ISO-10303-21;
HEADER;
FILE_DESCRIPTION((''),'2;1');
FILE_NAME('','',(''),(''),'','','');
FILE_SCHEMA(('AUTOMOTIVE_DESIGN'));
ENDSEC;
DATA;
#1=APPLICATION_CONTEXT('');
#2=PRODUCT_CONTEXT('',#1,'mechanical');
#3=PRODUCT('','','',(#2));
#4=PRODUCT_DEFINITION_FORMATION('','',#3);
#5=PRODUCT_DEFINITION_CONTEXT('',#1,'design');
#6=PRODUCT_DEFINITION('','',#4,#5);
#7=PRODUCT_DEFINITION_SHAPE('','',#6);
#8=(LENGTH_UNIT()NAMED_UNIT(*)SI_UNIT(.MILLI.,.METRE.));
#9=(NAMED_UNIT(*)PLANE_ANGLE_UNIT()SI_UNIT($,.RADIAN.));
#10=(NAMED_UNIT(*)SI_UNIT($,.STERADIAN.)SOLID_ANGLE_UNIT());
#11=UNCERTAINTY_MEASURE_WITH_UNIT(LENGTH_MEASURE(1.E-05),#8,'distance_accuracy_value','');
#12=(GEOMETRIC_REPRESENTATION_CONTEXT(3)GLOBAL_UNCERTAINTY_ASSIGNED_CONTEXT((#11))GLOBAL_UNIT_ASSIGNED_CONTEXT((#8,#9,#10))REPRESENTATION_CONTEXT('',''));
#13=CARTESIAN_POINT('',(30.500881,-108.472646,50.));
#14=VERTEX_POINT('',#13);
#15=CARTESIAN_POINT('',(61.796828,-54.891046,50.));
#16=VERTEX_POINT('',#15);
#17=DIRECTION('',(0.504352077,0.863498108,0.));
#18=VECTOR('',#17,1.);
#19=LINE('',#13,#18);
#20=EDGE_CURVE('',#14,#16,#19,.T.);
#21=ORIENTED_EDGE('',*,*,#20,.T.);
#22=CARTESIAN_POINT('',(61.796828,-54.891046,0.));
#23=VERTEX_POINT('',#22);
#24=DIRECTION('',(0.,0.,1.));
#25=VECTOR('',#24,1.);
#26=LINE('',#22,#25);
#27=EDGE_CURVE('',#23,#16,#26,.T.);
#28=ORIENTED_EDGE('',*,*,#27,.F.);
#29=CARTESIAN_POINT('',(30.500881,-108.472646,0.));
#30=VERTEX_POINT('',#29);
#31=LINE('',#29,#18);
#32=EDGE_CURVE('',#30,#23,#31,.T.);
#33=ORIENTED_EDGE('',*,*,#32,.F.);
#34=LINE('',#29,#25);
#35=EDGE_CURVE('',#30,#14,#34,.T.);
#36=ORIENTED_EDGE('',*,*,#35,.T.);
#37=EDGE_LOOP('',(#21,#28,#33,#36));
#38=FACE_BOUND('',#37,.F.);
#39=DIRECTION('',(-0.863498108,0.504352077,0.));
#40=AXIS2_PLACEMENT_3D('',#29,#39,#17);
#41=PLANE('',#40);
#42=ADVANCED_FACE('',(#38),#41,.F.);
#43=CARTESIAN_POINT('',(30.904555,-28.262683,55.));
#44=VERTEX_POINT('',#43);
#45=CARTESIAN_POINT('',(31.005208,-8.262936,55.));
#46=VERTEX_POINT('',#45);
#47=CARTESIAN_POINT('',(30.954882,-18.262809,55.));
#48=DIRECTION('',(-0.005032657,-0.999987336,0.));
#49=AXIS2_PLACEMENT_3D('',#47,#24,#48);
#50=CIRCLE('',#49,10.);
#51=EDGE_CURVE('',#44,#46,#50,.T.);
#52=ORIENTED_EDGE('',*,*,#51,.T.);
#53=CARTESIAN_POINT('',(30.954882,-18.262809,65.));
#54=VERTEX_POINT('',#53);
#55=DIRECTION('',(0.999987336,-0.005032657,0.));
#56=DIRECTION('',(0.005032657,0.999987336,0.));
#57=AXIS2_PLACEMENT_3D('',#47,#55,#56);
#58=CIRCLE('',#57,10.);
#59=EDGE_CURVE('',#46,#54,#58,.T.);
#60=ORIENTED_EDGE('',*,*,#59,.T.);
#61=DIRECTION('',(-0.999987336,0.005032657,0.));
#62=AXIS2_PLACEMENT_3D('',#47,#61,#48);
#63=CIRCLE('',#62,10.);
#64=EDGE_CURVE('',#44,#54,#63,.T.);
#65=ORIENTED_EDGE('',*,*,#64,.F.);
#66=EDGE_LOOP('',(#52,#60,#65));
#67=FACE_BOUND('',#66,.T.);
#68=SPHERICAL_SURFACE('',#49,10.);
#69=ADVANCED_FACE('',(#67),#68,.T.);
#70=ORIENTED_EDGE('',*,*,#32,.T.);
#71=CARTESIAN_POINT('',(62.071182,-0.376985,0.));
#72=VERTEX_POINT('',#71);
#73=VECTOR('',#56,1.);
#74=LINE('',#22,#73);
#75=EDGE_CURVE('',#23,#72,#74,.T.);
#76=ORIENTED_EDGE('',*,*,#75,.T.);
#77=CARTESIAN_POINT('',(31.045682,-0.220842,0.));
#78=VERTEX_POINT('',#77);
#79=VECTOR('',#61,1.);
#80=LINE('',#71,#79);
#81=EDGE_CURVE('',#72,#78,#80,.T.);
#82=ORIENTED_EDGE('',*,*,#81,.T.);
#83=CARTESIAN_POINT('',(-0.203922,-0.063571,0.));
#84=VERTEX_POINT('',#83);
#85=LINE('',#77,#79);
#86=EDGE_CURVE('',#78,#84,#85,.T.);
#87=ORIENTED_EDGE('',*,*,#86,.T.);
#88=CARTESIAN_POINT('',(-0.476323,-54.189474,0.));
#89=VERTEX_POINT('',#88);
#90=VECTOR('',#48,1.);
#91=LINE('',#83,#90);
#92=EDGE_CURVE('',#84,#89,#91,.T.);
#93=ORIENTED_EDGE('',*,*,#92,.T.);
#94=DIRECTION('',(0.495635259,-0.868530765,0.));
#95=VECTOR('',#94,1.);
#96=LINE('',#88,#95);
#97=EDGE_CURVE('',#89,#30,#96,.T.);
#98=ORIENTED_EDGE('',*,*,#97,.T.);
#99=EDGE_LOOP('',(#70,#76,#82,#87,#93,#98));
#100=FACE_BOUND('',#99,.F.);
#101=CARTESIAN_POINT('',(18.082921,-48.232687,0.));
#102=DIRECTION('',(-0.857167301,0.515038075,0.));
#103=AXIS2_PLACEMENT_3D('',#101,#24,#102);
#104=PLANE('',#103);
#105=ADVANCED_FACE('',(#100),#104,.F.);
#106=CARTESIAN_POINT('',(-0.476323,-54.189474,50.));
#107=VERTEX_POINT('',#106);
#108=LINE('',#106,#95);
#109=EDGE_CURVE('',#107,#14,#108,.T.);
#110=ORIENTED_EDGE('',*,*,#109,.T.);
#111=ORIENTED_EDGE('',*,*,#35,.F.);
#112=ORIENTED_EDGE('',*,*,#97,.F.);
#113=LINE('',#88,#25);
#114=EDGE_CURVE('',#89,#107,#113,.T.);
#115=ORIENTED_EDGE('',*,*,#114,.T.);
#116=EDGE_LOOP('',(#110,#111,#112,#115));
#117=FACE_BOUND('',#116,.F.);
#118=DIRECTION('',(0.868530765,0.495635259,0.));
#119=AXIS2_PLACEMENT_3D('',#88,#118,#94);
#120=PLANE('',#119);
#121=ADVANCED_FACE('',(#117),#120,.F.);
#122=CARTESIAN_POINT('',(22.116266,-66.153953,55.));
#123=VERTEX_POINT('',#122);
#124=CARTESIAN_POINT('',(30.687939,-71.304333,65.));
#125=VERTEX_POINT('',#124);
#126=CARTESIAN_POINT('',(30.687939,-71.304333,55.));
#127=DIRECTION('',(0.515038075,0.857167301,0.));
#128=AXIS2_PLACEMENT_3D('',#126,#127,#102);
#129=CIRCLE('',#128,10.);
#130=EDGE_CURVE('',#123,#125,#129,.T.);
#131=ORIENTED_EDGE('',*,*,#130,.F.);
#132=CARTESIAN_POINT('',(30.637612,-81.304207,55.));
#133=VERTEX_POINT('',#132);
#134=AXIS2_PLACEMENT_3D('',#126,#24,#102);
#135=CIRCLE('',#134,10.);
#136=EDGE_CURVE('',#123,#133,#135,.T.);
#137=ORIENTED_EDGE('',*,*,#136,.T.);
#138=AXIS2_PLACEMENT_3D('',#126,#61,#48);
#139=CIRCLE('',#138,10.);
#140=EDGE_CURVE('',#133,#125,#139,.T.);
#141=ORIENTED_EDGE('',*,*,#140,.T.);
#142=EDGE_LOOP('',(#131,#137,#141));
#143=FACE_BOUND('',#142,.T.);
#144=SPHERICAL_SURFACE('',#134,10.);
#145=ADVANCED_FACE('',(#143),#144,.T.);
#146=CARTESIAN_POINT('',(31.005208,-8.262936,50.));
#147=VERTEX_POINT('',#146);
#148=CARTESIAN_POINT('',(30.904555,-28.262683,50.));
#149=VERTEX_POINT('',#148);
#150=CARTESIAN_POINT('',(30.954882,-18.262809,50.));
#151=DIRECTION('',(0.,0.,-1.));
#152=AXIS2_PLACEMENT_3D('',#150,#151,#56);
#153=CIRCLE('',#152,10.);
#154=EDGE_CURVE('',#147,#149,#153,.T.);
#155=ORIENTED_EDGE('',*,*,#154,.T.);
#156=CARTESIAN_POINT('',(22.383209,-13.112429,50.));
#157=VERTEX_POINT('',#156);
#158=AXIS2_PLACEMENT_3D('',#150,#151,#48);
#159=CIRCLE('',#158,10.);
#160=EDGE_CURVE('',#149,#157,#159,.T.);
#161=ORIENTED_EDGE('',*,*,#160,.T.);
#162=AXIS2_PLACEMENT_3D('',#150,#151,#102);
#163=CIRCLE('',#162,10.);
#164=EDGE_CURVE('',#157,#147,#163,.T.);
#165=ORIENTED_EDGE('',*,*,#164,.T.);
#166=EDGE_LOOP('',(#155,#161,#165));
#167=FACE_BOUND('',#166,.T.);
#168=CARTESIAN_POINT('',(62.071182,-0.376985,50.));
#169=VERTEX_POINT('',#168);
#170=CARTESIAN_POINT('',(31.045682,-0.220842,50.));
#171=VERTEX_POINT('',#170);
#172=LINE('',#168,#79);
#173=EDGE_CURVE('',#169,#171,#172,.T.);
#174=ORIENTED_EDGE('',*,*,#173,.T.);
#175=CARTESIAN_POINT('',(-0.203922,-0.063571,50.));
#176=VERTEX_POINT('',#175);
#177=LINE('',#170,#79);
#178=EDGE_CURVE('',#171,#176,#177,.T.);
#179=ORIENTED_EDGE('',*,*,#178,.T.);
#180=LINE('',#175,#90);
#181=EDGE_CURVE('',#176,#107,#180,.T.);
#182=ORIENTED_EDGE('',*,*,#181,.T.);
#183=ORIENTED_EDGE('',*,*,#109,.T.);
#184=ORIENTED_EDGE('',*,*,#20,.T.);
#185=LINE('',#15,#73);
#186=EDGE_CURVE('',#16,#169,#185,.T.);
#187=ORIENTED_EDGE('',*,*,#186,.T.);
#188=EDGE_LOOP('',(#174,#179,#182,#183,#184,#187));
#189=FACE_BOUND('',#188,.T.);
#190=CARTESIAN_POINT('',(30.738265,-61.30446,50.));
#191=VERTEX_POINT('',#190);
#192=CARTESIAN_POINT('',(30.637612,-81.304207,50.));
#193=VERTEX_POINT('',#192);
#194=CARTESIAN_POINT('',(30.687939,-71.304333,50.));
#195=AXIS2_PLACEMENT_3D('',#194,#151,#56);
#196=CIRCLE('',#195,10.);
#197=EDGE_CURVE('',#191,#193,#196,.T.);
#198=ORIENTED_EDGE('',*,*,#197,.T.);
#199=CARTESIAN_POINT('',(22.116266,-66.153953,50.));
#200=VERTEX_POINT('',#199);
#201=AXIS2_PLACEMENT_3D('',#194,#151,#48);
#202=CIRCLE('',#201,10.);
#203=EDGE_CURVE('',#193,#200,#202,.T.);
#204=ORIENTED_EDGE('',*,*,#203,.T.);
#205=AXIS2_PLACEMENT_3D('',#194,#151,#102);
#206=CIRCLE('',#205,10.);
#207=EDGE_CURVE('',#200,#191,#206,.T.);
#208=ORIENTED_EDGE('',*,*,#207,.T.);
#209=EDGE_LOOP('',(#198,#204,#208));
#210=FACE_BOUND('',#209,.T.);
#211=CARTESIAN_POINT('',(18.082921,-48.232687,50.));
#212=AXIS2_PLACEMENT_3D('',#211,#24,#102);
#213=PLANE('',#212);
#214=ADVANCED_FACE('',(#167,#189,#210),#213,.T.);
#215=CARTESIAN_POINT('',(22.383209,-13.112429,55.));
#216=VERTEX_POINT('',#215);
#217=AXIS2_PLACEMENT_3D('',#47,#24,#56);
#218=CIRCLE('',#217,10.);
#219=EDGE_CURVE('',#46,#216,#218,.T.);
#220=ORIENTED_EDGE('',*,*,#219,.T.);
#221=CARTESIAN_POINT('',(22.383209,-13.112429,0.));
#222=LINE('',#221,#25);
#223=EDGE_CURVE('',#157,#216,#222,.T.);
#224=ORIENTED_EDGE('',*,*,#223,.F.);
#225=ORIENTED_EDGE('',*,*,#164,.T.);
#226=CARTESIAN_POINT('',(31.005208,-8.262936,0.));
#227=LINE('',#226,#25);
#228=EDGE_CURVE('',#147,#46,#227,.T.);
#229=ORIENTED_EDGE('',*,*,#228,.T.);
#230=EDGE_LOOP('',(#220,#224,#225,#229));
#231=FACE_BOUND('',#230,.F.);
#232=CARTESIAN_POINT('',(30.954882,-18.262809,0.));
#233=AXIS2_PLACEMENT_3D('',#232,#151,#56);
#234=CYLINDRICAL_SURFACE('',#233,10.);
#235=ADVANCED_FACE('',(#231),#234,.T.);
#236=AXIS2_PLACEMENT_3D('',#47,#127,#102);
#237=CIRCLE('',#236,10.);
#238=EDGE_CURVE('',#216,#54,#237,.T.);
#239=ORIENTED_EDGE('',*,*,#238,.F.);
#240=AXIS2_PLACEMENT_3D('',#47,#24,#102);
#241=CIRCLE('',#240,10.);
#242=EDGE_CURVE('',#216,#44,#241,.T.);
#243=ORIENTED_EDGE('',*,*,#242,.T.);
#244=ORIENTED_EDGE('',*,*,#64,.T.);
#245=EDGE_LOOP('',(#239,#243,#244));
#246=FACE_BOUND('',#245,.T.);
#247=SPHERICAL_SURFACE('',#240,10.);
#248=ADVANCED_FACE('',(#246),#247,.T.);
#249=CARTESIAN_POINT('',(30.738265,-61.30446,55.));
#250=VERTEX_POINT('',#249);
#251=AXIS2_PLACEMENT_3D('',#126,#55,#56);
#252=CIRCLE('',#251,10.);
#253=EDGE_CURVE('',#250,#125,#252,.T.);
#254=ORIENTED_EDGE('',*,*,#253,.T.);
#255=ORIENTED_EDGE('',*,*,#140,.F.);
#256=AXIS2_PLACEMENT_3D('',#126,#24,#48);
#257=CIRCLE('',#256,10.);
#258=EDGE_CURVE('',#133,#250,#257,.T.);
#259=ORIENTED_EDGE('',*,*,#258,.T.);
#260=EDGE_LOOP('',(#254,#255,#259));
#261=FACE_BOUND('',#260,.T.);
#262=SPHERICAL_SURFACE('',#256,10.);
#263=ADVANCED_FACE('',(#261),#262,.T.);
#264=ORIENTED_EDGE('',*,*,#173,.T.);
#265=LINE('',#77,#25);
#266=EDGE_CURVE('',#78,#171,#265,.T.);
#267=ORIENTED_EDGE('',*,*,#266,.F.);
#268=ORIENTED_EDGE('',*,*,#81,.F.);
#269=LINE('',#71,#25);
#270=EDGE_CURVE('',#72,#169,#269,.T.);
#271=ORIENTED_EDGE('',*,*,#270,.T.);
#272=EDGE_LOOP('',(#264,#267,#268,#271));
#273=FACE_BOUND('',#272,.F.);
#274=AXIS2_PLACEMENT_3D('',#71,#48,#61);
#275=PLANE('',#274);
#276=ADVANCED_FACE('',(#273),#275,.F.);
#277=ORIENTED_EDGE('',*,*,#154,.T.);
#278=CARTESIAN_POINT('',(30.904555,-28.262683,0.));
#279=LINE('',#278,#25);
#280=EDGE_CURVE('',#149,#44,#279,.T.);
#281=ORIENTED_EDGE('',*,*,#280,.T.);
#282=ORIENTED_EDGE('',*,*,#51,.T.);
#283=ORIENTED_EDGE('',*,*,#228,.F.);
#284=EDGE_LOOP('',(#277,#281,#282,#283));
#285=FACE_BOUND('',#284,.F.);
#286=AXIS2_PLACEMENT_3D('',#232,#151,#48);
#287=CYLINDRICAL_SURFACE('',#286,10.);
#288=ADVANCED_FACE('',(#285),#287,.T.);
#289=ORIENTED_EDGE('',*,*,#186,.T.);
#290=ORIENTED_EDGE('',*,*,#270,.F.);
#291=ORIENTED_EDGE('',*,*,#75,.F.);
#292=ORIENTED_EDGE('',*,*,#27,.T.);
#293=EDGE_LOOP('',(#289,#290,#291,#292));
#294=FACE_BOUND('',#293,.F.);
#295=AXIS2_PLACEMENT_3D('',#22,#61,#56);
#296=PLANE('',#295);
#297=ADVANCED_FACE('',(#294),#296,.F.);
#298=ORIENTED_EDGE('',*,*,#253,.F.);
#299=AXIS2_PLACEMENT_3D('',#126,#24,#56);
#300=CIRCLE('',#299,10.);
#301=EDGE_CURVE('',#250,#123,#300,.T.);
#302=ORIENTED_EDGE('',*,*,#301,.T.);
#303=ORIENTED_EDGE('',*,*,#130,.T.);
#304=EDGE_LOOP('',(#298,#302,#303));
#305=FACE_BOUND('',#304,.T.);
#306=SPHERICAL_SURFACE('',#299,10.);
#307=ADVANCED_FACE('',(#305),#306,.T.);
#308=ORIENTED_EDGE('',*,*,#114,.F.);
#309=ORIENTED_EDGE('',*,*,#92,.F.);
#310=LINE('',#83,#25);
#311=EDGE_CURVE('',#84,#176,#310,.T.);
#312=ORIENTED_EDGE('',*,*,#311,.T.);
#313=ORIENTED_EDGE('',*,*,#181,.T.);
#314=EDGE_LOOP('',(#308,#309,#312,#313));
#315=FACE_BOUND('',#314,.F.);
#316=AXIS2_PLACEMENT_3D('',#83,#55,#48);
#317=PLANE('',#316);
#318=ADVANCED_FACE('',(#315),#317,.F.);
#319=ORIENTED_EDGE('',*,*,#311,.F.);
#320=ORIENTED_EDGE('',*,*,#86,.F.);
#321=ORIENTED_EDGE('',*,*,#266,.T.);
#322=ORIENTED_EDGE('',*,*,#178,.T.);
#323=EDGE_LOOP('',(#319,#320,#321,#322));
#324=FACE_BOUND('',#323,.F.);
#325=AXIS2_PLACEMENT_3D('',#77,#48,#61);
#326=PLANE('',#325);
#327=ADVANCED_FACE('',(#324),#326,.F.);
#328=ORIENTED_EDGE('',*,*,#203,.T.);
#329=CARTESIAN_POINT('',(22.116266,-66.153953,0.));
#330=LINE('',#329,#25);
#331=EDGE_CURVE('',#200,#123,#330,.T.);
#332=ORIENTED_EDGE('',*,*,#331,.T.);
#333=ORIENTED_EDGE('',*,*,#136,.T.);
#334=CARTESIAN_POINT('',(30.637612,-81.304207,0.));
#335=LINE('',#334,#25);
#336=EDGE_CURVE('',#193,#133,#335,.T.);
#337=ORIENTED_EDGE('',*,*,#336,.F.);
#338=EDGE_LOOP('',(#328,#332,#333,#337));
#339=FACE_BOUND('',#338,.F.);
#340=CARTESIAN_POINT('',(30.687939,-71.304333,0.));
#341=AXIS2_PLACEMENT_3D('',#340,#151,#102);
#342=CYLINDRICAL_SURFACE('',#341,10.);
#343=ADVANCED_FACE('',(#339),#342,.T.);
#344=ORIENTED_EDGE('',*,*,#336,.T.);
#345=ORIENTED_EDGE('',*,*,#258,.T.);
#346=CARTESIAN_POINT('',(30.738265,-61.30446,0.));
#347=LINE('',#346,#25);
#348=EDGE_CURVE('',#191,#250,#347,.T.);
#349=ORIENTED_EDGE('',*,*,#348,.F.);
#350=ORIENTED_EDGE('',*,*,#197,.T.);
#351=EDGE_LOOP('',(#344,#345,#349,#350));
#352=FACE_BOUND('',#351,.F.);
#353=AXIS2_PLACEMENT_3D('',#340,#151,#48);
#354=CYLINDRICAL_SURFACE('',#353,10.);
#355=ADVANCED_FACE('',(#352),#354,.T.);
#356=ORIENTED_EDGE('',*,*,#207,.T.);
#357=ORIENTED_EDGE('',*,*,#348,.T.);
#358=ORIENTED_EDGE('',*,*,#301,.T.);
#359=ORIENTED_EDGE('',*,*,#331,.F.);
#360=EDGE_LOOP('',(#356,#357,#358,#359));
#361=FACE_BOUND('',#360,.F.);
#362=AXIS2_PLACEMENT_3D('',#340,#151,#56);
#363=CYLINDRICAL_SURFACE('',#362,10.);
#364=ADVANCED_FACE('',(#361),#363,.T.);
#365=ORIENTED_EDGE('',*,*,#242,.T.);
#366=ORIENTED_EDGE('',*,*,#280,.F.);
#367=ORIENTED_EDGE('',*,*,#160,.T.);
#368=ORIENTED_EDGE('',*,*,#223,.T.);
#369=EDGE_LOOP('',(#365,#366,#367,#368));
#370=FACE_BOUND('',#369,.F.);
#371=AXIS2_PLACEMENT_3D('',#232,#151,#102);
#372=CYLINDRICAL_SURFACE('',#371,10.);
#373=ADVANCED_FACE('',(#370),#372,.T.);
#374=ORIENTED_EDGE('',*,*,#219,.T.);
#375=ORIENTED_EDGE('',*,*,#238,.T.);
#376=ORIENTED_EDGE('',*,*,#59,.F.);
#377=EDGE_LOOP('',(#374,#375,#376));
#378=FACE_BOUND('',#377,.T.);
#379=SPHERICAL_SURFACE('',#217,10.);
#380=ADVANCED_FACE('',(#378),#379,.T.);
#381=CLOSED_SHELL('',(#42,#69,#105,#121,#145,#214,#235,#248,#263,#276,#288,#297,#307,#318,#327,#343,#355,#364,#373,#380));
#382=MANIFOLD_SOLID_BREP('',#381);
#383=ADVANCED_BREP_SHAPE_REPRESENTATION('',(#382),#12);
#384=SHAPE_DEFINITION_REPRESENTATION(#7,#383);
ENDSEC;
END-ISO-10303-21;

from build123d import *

# Parameters (mm, degrees)
F1_DEPTH = 50
F2_DEPTH = 65
F3_R     = 10
F5_ANGLE = -149


with BuildPart() as f1:
    # F0 (on Top) → F1 (new body)
    with BuildSketch(Plane.XY):
        with BuildLine():
            Line((17.6526700227, 31.4716789257), (-36.8578768761, 62.0470002943))
            Line((-36.8578768761, 62.0470002943), (-22.982297547, 38.6886805081))
            ThreePointArc((-22.982297547, 38.6886805081), (-12.9289992244, 38.7823343206), (-7.8751203144, 30.0911959508))
            ThreePointArc((-7.8751203144, 30.0911959508), (-9.1839819445, 25.1450748608), (-12.7679430817, 21.4937113934))
            Line((-12.7679430817, 21.4937113934), (0, 0))
            Line((0, 0), (4.1072919863, -6.9142655162))
            ThreePointArc((4.1072919863, -6.9142655162), (14.160590309, -6.8206117038), (19.214469219, -15.5117500736))
            ThreePointArc((19.214469219, -15.5117500736), (17.9056075888, -20.4578711635), (14.3216464517, -24.1092346309))
            Line((14.3216464517, -24.1092346309), (18.428938438, -31.0235001472))
            Line((18.428938438, -31.0235001472), (45.2960776798, -15.063571295))
            Line((45.2960776798, -15.063571295), (17.6526700227, 31.4716789257))
        make_face()
        with BuildLine():
            Line((-22.982297547, 38.6886805081), (-36.8578768761, 62.0470002943))
            Line((-36.8578768761, 62.0470002943), (-36.0871754027, 0))
            Line((-36.0871754027, 0), (-8.2455254354, -46.8689737481))
            Line((-8.2455254354, -46.8689737481), (18.428938438, -31.0235001472))
            Line((18.428938438, -31.0235001472), (14.3216464517, -24.1092346309))
            ThreePointArc((14.3216464517, -24.1092346309), (0.6169846617, -20.6189273063), (4.1072919863, -6.9142655162))
            Line((4.1072919863, -6.9142655162), (0, 0))
            Line((0, 0), (-12.7679430817, 21.4937113934))
            ThreePointArc((-12.7679430817, 21.4937113934), (-26.4726048717, 24.9840187181), (-22.982297547, 38.6886805081))
        make_face()
    extrude(amount=F1_DEPTH)

    # F0 (on Top) → F2 (join)
    with BuildSketch(Plane.XY):
        with BuildLine():
            ThreePointArc((-7.8751203144, 30.0911959508), (-12.9289992244, 38.7823343206), (-22.982297547, 38.6886805081))
            Line((-22.982297547, 38.6886805081), (-12.7679430817, 21.4937113934))
            ThreePointArc((-12.7679430817, 21.4937113934), (-9.1839819445, 25.1450748608), (-7.8751203144, 30.0911959508))
        make_face()
        with BuildLine():
            Line((-12.7679430817, 21.4937113934), (-22.982297547, 38.6886805081))
            ThreePointArc((-22.982297547, 38.6886805081), (-26.4726048717, 24.9840187181), (-12.7679430817, 21.4937113934))
        make_face()
        with BuildLine():
            Line((14.3216464517, -24.1092346309), (4.1072919863, -6.9142655162))
            ThreePointArc((4.1072919863, -6.9142655162), (0.6169846617, -20.6189273063), (14.3216464517, -24.1092346309))
        make_face()
        with BuildLine():
            ThreePointArc((19.214469219, -15.5117500736), (14.160590309, -6.8206117038), (4.1072919863, -6.9142655162))
            Line((4.1072919863, -6.9142655162), (14.3216464517, -24.1092346309))
            ThreePointArc((14.3216464517, -24.1092346309), (17.9056075888, -20.4578711635), (19.214469219, -15.5117500736))
        make_face()
    extrude(amount=F2_DEPTH)

    # F3
    f3_edges = [f1.edges().sort_by_distance(p)[0] for p in [
        (-27.87512, 30.091196, 65),
        (4.107292, -6.914266, 65),
    ]]
    fillet(f3_edges, radius=F3_R)


with BuildPart() as f1_1:
    # F4: moved
    add(f1.part.moved(Location((-45.5, 15, 0))))


with BuildPart() as f1_2:
    # F5: moved
    add(f1_1.part.rotate(Axis((-0.2039223202, -0.063571295, 25), (0, 0, -1)), F5_ANGLE))


solid = f1_2.part
